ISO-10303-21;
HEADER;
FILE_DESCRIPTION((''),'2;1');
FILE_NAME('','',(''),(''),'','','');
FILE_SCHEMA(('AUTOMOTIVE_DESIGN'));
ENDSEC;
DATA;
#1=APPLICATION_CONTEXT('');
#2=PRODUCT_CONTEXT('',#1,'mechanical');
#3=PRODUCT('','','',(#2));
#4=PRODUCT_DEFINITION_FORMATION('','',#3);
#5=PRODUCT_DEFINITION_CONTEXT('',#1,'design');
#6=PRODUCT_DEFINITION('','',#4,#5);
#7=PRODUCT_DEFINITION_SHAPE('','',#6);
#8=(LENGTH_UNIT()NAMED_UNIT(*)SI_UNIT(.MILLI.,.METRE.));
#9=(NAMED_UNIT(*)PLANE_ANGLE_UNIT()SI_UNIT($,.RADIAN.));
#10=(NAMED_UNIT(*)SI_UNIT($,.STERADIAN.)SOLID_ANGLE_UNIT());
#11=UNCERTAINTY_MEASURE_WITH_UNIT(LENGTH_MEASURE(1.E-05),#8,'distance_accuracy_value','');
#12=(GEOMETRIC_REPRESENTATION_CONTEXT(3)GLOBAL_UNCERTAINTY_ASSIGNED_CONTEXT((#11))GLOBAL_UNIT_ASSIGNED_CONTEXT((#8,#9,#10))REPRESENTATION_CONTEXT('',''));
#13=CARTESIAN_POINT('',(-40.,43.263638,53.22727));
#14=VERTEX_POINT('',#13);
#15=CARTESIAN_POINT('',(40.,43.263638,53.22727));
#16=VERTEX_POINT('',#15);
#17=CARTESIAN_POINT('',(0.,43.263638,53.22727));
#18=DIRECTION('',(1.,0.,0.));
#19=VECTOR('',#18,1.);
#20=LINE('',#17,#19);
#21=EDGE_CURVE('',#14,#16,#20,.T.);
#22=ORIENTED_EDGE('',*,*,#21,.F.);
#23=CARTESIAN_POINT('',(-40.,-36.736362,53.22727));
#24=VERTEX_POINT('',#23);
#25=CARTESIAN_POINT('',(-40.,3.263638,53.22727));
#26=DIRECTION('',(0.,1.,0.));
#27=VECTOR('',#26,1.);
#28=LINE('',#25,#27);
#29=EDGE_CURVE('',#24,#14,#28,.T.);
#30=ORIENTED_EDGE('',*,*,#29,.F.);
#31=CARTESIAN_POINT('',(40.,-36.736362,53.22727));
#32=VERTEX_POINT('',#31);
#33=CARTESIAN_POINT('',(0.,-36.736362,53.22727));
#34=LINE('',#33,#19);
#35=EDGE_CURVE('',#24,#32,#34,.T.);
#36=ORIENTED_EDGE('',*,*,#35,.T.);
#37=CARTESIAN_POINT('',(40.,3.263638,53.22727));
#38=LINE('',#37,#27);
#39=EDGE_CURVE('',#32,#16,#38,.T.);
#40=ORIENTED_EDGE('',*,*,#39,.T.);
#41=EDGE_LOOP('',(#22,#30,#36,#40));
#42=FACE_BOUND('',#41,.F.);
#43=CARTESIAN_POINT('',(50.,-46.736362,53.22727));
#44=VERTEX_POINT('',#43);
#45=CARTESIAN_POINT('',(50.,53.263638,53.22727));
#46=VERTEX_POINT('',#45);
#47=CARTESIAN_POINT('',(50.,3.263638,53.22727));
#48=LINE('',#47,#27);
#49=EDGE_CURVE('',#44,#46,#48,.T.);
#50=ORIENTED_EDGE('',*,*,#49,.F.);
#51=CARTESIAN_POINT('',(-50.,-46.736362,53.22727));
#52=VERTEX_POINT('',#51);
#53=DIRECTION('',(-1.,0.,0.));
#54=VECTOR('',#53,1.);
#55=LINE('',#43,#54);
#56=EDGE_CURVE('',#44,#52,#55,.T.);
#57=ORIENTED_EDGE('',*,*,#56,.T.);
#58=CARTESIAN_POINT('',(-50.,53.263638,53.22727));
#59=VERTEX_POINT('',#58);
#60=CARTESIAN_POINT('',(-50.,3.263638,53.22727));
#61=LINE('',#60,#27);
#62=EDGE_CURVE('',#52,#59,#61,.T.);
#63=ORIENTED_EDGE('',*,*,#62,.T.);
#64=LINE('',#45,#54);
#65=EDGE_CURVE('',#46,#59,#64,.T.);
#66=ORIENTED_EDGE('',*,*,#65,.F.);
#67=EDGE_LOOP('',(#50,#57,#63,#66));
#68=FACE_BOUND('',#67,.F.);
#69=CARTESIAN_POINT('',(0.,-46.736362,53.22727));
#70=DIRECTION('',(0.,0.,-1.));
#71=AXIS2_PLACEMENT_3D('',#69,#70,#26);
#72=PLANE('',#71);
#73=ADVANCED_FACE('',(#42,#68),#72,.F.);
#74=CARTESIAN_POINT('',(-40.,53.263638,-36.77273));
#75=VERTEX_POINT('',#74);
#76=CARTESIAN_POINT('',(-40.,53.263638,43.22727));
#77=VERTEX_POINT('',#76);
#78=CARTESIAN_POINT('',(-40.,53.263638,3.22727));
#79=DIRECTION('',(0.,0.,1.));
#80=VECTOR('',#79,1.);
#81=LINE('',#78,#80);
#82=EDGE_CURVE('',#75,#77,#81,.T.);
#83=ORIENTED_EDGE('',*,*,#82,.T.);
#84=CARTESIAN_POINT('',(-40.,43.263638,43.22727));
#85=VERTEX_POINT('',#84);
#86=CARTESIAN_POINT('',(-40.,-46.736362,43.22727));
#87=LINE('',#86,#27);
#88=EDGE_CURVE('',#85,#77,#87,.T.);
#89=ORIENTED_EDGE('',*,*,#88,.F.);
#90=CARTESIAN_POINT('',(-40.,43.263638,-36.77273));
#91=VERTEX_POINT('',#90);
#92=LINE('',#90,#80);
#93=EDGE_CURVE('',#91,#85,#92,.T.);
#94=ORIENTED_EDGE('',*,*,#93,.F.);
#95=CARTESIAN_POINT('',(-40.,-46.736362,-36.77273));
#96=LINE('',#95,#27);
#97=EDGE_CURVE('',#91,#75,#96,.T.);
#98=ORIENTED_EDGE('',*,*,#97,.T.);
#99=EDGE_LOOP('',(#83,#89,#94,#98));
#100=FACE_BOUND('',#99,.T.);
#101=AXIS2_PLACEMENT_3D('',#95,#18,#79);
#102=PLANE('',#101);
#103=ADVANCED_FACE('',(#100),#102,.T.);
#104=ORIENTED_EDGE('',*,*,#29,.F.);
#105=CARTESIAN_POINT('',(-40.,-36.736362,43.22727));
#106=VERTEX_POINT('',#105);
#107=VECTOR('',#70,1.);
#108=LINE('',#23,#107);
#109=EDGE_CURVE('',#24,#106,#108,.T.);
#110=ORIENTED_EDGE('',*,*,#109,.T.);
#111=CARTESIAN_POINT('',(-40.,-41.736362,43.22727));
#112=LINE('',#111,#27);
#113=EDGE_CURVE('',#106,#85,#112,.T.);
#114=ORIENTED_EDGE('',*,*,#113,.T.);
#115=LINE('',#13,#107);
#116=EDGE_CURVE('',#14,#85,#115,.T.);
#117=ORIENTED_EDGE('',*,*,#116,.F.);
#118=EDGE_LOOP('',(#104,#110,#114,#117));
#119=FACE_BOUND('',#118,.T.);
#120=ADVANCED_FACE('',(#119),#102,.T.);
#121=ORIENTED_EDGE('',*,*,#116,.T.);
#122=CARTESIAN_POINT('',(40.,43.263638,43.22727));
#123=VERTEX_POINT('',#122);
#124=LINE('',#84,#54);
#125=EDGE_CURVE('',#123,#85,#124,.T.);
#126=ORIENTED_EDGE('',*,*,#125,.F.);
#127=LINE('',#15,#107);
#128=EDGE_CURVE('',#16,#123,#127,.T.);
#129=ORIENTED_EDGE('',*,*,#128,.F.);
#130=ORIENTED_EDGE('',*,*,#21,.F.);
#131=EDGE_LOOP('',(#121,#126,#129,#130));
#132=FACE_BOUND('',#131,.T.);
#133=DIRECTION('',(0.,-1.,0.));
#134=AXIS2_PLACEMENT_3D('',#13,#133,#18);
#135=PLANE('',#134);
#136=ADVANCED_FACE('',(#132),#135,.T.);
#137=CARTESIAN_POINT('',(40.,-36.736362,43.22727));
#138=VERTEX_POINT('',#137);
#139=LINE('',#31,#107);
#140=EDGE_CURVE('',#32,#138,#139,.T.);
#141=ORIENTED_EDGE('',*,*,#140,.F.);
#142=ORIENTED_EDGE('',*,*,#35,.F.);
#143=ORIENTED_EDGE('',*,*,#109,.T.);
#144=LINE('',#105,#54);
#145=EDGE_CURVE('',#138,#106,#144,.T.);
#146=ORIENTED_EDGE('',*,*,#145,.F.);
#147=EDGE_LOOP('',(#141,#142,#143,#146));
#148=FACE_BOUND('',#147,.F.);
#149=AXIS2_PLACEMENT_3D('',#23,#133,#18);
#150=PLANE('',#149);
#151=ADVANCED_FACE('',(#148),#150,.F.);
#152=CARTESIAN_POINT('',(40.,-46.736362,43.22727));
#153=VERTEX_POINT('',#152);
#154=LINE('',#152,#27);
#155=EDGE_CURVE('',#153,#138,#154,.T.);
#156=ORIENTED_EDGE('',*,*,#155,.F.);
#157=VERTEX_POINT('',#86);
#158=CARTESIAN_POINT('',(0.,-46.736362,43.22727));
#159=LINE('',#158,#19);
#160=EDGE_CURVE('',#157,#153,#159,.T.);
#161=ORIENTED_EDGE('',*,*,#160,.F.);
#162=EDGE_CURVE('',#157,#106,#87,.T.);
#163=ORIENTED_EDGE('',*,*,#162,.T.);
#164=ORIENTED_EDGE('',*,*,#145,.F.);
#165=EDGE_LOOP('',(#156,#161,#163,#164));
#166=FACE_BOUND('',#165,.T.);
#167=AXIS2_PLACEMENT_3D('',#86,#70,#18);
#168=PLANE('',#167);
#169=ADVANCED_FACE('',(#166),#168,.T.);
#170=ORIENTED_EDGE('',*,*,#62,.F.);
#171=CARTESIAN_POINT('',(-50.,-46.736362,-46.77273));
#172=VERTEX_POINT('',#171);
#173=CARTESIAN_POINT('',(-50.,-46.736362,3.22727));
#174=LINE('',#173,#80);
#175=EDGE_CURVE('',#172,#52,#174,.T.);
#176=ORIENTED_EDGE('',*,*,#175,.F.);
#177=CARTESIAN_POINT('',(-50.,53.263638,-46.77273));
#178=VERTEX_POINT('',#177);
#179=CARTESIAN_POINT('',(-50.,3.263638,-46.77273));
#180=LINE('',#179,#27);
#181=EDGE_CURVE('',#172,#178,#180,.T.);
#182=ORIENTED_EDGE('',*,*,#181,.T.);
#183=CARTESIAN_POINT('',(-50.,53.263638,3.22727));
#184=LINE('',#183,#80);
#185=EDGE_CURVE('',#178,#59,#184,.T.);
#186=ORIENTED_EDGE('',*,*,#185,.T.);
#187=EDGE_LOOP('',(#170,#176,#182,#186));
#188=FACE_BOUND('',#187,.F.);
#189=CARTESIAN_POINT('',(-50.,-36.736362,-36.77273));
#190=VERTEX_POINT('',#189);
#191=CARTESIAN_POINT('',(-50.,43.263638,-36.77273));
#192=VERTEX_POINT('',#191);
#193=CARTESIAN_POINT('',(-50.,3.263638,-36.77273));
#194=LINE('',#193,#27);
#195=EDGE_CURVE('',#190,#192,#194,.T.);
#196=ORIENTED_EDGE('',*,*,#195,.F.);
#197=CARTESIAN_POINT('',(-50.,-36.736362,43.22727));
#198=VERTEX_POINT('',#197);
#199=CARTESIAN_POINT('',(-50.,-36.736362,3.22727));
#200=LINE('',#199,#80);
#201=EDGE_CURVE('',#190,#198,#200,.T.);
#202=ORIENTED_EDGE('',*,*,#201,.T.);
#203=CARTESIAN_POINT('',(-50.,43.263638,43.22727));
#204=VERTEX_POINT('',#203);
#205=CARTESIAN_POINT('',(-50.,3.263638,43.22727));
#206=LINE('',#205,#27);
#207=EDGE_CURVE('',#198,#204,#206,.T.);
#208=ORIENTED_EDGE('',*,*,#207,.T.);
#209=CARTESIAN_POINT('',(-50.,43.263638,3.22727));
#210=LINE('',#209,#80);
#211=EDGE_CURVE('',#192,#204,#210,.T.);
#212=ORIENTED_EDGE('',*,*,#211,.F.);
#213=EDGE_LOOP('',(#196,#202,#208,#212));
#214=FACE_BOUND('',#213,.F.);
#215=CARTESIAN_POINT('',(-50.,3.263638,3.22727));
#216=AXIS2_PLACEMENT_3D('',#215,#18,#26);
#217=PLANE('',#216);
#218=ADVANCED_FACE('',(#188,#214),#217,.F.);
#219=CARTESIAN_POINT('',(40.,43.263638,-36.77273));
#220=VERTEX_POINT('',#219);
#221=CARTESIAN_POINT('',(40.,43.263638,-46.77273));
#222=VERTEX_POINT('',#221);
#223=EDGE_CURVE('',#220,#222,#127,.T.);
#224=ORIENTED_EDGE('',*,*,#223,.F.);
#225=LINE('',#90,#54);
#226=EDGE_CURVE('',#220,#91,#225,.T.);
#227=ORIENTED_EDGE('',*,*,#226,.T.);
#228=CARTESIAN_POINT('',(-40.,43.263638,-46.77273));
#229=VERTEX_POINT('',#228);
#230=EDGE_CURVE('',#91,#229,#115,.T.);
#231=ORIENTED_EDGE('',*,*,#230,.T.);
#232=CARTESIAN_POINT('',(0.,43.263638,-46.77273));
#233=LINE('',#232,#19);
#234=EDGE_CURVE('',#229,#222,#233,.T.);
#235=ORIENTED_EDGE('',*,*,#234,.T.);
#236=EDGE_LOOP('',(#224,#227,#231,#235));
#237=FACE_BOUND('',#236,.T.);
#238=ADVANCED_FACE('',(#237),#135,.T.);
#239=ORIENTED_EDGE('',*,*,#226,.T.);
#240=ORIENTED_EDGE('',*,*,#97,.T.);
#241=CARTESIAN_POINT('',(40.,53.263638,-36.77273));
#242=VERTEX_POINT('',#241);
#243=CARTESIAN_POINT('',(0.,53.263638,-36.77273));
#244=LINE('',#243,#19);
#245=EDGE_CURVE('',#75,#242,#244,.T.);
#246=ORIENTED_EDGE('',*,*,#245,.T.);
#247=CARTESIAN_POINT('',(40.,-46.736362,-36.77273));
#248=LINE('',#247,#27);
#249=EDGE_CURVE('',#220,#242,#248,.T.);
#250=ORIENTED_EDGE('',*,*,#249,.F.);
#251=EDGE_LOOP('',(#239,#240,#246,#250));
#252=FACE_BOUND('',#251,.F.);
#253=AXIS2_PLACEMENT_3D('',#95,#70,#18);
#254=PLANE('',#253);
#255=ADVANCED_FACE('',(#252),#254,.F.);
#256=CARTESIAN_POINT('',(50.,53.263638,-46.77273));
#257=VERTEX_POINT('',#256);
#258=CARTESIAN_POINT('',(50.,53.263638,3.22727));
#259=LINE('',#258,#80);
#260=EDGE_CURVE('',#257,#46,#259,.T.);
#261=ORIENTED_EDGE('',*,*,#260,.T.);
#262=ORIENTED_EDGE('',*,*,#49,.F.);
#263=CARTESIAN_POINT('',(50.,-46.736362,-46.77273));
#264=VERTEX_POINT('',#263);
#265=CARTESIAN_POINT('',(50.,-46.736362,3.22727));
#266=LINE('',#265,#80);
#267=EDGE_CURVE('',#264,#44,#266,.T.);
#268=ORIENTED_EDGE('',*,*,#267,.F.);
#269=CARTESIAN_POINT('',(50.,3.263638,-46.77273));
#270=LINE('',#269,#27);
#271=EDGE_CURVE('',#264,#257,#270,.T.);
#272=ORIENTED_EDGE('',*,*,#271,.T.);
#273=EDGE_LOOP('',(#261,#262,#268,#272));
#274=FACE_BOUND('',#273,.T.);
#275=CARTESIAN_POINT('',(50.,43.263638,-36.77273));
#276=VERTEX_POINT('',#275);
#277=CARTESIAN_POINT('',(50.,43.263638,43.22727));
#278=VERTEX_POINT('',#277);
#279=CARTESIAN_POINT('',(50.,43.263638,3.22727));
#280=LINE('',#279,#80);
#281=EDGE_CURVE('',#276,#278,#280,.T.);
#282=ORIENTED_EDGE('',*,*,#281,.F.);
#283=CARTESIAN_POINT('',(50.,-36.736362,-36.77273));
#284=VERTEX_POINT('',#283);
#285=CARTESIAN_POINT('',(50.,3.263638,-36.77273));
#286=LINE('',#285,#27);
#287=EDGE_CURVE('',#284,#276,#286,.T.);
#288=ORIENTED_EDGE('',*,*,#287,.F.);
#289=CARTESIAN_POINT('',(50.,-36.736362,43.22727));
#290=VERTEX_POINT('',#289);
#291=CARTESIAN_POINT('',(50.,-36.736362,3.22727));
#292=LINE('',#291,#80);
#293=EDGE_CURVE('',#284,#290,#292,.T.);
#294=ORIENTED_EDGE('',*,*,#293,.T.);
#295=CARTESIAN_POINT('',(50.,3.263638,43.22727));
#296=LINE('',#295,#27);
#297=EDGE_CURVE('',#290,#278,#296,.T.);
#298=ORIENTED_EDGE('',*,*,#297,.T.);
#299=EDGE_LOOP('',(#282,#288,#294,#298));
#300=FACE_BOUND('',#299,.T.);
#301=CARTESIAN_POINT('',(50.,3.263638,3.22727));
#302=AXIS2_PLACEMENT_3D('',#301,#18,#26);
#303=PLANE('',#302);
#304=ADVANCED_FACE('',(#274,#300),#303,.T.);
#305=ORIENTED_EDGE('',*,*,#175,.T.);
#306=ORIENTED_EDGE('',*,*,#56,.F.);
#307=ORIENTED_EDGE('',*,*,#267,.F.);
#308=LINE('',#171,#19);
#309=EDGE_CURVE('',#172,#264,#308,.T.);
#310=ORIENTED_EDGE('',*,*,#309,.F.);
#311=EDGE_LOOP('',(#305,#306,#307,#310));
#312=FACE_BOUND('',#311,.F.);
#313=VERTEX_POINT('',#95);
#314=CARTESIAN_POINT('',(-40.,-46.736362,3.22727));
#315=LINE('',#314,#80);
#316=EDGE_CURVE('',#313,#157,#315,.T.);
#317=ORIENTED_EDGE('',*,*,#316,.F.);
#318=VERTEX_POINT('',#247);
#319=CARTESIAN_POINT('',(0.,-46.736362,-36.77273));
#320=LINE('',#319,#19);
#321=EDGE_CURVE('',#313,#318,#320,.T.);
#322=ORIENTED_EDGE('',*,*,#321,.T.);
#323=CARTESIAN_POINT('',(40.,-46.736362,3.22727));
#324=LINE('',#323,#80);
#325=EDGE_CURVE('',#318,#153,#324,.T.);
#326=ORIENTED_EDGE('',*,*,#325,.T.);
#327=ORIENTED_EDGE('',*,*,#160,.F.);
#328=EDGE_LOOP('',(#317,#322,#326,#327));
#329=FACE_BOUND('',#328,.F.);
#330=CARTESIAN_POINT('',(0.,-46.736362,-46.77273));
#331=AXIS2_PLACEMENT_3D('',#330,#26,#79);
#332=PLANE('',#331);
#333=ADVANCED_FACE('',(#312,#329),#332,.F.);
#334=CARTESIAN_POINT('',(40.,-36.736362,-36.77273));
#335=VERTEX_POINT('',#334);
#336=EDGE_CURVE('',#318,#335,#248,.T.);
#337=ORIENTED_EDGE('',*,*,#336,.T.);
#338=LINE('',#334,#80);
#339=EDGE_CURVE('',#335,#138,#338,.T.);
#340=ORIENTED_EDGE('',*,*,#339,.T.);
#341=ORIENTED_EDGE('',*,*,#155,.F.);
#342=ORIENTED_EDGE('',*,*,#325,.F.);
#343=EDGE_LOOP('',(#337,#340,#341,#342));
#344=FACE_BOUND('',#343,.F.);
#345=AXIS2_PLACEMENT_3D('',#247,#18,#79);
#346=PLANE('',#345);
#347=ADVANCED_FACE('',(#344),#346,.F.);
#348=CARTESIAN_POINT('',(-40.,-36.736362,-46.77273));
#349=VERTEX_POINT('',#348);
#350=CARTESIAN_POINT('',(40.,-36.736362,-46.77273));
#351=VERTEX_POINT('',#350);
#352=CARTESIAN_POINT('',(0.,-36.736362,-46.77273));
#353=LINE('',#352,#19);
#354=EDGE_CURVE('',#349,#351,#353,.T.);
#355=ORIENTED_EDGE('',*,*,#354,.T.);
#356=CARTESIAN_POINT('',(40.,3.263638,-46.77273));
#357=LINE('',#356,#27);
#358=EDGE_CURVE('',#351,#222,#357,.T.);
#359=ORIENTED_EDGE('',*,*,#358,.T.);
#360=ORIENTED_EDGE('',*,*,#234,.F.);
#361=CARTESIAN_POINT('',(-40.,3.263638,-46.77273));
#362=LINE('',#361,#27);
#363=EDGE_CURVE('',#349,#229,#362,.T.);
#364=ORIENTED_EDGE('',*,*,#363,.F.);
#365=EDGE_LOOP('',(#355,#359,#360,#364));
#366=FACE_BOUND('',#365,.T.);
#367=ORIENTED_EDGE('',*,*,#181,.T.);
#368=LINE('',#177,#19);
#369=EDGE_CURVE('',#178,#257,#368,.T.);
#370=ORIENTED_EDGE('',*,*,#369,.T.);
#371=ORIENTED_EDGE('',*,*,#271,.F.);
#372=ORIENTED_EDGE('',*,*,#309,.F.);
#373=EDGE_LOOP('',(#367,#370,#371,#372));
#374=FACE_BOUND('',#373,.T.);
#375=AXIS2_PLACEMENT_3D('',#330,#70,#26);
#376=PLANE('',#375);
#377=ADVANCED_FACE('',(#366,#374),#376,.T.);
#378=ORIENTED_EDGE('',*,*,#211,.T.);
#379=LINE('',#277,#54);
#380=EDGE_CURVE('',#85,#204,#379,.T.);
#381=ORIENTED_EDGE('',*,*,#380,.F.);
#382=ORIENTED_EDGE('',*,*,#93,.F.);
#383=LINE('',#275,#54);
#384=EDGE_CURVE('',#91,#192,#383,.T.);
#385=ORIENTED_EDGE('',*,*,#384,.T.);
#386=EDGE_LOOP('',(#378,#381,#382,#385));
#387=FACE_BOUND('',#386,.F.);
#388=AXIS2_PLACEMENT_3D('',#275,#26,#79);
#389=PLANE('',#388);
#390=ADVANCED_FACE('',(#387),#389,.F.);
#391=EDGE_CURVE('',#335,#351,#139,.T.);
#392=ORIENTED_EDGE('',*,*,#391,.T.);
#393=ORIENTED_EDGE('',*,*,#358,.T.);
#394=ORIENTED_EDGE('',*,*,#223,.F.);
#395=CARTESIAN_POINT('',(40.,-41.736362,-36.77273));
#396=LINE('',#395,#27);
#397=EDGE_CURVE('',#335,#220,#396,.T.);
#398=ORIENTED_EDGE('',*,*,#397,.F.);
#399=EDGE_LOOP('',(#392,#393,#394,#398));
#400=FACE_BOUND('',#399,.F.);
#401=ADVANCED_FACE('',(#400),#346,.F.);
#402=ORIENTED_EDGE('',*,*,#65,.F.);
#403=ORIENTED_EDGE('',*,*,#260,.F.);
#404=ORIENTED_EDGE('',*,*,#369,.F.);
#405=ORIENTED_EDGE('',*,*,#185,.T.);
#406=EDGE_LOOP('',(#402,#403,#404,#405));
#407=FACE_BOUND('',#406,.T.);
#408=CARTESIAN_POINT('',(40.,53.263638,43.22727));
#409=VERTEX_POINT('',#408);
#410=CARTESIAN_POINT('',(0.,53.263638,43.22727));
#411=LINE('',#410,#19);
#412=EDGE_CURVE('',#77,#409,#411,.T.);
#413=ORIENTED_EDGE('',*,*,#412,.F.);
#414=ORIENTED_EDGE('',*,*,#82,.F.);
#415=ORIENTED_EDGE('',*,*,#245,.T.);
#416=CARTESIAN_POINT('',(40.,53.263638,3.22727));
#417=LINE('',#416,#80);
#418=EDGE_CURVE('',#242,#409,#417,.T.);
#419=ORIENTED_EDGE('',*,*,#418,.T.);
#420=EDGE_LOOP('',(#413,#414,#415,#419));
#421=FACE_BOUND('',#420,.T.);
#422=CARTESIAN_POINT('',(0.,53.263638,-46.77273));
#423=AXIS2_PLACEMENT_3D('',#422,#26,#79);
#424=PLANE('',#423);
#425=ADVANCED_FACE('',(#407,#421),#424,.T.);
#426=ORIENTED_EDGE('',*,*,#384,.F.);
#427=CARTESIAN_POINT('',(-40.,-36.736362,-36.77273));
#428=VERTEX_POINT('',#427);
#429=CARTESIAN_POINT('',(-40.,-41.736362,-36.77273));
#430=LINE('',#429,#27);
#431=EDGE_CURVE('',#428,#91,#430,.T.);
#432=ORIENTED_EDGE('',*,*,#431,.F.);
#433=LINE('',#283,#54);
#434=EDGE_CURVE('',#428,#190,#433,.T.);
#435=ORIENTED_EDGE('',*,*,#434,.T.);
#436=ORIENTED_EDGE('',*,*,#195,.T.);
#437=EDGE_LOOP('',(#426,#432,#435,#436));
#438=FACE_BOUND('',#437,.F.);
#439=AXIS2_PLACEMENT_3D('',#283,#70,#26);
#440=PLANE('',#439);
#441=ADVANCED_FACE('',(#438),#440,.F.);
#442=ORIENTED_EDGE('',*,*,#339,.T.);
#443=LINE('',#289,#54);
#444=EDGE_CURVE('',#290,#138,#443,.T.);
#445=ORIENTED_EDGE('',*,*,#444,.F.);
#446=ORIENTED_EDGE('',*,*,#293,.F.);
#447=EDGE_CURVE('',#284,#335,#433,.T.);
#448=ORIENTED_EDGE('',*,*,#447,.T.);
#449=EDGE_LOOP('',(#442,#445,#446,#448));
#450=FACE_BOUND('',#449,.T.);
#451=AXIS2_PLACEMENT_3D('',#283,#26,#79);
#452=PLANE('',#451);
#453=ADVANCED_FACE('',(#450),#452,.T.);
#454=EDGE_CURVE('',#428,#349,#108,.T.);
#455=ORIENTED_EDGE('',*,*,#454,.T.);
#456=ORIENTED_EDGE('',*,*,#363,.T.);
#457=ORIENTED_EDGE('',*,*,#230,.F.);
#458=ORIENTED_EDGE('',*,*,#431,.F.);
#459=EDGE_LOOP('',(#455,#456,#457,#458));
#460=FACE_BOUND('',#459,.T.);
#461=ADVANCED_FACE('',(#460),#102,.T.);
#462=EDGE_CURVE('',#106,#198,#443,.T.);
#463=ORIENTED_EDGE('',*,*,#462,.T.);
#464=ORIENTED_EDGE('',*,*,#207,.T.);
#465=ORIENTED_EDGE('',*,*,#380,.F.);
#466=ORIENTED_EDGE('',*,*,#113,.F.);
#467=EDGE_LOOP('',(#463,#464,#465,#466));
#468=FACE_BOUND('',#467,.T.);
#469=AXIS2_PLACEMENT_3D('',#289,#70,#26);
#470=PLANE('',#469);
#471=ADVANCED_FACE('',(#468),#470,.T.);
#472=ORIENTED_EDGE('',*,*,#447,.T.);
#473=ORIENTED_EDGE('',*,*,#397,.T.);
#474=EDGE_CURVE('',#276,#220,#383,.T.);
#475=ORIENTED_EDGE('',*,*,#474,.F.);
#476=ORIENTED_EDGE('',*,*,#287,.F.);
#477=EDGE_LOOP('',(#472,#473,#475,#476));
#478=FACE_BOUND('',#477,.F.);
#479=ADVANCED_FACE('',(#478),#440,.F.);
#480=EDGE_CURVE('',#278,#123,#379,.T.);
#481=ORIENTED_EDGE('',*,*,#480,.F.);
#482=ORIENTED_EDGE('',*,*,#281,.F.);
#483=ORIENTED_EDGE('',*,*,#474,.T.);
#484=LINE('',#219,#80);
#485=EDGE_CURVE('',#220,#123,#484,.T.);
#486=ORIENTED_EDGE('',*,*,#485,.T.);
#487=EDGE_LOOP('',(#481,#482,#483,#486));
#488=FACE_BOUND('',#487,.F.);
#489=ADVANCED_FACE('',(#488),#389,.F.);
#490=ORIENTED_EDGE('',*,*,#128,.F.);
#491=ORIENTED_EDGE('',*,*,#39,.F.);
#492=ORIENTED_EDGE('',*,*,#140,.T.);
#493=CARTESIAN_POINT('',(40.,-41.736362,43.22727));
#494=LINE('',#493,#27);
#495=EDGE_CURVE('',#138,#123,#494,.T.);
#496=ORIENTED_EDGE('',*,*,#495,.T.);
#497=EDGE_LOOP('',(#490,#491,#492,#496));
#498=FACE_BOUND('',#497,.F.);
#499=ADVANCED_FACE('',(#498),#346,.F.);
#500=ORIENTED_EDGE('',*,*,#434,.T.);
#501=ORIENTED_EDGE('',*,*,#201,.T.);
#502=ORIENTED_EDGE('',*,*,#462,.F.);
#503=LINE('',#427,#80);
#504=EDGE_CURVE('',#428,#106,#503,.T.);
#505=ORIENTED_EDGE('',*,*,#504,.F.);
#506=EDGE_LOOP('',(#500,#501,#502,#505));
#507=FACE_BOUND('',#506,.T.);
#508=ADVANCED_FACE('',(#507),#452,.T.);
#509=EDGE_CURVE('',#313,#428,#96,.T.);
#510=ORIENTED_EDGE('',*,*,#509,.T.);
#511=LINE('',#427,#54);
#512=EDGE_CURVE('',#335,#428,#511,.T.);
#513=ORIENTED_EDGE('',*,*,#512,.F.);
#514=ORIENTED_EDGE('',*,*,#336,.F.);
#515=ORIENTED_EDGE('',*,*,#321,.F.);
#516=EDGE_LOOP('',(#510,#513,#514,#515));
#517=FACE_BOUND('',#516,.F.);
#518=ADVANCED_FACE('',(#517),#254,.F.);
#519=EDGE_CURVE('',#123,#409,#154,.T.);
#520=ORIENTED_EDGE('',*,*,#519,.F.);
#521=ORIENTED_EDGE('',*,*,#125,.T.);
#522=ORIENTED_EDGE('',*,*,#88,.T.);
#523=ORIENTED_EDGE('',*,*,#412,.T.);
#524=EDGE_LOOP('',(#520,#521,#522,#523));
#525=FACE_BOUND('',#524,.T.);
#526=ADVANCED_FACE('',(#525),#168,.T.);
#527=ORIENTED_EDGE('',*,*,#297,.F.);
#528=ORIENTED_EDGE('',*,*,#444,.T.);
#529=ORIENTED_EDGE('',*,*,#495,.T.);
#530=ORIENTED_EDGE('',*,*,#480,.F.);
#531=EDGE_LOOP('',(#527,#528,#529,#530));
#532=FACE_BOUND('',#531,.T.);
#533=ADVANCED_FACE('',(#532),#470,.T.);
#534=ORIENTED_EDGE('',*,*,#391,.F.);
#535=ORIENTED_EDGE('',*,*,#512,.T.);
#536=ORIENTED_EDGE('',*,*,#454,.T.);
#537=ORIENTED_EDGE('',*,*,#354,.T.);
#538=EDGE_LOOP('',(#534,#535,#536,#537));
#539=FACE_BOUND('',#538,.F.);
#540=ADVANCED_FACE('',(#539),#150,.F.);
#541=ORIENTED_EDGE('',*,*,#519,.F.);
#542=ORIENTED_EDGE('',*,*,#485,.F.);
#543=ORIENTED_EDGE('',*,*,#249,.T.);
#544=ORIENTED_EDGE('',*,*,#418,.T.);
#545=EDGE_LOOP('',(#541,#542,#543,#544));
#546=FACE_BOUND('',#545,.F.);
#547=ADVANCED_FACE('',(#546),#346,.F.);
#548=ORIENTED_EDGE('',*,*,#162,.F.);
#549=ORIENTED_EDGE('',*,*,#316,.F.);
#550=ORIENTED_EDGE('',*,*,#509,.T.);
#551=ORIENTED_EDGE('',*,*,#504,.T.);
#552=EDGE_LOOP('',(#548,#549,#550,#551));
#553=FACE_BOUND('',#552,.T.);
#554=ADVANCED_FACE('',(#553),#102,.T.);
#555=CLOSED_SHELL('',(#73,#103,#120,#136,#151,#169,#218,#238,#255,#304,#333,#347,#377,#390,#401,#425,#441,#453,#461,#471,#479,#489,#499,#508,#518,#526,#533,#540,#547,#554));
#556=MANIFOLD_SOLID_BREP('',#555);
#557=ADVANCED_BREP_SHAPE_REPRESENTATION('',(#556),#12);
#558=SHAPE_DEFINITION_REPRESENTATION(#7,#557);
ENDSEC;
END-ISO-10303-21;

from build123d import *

# Parameters (mm, degrees)
F0_W     = 100
F0_H     = 100
F1_DEPTH = 50
F2_W     = 80
F2_H     = 80
F3_DEPTH = 100
F4_W     = 80
F4_H     = 80
F5_DEPTH = 100
F6_W     = 80
F6_H     = 80
F7_DEPTH = 100


with BuildPart() as f1:
    # F0 (on Right) → F1 (new body, symmetric)
    with BuildSketch(Plane.YZ):
        with Locations((3.263638, 3.22727)):
            Rectangle(F0_W, F0_H)
    extrude(amount=F1_DEPTH, both=True)

    # F2 (on face) → F3 (cut)
    with BuildSketch(Plane.XZ.offset(46.736362)):
        with Locations((0, 3.22727)):
            Rectangle(F2_W, F2_H)
    extrude(amount=-F3_DEPTH, mode=Mode.SUBTRACT)

    # F4 (on face) → F5 (cut)
    with BuildSketch(Plane.XY.offset(53.22727)):
        with Locations((0, 3.263638)):
            Rectangle(F4_W, F4_H)
    extrude(amount=-F5_DEPTH, mode=Mode.SUBTRACT)

    # F6 (on face) → F7 (cut)
    with BuildSketch(Plane.YZ.offset(50)):
        with Locations((3.263638, 3.22727)):
            Rectangle(F6_W, F6_H)
    extrude(amount=-F7_DEPTH, mode=Mode.SUBTRACT)


solid = f1.part
